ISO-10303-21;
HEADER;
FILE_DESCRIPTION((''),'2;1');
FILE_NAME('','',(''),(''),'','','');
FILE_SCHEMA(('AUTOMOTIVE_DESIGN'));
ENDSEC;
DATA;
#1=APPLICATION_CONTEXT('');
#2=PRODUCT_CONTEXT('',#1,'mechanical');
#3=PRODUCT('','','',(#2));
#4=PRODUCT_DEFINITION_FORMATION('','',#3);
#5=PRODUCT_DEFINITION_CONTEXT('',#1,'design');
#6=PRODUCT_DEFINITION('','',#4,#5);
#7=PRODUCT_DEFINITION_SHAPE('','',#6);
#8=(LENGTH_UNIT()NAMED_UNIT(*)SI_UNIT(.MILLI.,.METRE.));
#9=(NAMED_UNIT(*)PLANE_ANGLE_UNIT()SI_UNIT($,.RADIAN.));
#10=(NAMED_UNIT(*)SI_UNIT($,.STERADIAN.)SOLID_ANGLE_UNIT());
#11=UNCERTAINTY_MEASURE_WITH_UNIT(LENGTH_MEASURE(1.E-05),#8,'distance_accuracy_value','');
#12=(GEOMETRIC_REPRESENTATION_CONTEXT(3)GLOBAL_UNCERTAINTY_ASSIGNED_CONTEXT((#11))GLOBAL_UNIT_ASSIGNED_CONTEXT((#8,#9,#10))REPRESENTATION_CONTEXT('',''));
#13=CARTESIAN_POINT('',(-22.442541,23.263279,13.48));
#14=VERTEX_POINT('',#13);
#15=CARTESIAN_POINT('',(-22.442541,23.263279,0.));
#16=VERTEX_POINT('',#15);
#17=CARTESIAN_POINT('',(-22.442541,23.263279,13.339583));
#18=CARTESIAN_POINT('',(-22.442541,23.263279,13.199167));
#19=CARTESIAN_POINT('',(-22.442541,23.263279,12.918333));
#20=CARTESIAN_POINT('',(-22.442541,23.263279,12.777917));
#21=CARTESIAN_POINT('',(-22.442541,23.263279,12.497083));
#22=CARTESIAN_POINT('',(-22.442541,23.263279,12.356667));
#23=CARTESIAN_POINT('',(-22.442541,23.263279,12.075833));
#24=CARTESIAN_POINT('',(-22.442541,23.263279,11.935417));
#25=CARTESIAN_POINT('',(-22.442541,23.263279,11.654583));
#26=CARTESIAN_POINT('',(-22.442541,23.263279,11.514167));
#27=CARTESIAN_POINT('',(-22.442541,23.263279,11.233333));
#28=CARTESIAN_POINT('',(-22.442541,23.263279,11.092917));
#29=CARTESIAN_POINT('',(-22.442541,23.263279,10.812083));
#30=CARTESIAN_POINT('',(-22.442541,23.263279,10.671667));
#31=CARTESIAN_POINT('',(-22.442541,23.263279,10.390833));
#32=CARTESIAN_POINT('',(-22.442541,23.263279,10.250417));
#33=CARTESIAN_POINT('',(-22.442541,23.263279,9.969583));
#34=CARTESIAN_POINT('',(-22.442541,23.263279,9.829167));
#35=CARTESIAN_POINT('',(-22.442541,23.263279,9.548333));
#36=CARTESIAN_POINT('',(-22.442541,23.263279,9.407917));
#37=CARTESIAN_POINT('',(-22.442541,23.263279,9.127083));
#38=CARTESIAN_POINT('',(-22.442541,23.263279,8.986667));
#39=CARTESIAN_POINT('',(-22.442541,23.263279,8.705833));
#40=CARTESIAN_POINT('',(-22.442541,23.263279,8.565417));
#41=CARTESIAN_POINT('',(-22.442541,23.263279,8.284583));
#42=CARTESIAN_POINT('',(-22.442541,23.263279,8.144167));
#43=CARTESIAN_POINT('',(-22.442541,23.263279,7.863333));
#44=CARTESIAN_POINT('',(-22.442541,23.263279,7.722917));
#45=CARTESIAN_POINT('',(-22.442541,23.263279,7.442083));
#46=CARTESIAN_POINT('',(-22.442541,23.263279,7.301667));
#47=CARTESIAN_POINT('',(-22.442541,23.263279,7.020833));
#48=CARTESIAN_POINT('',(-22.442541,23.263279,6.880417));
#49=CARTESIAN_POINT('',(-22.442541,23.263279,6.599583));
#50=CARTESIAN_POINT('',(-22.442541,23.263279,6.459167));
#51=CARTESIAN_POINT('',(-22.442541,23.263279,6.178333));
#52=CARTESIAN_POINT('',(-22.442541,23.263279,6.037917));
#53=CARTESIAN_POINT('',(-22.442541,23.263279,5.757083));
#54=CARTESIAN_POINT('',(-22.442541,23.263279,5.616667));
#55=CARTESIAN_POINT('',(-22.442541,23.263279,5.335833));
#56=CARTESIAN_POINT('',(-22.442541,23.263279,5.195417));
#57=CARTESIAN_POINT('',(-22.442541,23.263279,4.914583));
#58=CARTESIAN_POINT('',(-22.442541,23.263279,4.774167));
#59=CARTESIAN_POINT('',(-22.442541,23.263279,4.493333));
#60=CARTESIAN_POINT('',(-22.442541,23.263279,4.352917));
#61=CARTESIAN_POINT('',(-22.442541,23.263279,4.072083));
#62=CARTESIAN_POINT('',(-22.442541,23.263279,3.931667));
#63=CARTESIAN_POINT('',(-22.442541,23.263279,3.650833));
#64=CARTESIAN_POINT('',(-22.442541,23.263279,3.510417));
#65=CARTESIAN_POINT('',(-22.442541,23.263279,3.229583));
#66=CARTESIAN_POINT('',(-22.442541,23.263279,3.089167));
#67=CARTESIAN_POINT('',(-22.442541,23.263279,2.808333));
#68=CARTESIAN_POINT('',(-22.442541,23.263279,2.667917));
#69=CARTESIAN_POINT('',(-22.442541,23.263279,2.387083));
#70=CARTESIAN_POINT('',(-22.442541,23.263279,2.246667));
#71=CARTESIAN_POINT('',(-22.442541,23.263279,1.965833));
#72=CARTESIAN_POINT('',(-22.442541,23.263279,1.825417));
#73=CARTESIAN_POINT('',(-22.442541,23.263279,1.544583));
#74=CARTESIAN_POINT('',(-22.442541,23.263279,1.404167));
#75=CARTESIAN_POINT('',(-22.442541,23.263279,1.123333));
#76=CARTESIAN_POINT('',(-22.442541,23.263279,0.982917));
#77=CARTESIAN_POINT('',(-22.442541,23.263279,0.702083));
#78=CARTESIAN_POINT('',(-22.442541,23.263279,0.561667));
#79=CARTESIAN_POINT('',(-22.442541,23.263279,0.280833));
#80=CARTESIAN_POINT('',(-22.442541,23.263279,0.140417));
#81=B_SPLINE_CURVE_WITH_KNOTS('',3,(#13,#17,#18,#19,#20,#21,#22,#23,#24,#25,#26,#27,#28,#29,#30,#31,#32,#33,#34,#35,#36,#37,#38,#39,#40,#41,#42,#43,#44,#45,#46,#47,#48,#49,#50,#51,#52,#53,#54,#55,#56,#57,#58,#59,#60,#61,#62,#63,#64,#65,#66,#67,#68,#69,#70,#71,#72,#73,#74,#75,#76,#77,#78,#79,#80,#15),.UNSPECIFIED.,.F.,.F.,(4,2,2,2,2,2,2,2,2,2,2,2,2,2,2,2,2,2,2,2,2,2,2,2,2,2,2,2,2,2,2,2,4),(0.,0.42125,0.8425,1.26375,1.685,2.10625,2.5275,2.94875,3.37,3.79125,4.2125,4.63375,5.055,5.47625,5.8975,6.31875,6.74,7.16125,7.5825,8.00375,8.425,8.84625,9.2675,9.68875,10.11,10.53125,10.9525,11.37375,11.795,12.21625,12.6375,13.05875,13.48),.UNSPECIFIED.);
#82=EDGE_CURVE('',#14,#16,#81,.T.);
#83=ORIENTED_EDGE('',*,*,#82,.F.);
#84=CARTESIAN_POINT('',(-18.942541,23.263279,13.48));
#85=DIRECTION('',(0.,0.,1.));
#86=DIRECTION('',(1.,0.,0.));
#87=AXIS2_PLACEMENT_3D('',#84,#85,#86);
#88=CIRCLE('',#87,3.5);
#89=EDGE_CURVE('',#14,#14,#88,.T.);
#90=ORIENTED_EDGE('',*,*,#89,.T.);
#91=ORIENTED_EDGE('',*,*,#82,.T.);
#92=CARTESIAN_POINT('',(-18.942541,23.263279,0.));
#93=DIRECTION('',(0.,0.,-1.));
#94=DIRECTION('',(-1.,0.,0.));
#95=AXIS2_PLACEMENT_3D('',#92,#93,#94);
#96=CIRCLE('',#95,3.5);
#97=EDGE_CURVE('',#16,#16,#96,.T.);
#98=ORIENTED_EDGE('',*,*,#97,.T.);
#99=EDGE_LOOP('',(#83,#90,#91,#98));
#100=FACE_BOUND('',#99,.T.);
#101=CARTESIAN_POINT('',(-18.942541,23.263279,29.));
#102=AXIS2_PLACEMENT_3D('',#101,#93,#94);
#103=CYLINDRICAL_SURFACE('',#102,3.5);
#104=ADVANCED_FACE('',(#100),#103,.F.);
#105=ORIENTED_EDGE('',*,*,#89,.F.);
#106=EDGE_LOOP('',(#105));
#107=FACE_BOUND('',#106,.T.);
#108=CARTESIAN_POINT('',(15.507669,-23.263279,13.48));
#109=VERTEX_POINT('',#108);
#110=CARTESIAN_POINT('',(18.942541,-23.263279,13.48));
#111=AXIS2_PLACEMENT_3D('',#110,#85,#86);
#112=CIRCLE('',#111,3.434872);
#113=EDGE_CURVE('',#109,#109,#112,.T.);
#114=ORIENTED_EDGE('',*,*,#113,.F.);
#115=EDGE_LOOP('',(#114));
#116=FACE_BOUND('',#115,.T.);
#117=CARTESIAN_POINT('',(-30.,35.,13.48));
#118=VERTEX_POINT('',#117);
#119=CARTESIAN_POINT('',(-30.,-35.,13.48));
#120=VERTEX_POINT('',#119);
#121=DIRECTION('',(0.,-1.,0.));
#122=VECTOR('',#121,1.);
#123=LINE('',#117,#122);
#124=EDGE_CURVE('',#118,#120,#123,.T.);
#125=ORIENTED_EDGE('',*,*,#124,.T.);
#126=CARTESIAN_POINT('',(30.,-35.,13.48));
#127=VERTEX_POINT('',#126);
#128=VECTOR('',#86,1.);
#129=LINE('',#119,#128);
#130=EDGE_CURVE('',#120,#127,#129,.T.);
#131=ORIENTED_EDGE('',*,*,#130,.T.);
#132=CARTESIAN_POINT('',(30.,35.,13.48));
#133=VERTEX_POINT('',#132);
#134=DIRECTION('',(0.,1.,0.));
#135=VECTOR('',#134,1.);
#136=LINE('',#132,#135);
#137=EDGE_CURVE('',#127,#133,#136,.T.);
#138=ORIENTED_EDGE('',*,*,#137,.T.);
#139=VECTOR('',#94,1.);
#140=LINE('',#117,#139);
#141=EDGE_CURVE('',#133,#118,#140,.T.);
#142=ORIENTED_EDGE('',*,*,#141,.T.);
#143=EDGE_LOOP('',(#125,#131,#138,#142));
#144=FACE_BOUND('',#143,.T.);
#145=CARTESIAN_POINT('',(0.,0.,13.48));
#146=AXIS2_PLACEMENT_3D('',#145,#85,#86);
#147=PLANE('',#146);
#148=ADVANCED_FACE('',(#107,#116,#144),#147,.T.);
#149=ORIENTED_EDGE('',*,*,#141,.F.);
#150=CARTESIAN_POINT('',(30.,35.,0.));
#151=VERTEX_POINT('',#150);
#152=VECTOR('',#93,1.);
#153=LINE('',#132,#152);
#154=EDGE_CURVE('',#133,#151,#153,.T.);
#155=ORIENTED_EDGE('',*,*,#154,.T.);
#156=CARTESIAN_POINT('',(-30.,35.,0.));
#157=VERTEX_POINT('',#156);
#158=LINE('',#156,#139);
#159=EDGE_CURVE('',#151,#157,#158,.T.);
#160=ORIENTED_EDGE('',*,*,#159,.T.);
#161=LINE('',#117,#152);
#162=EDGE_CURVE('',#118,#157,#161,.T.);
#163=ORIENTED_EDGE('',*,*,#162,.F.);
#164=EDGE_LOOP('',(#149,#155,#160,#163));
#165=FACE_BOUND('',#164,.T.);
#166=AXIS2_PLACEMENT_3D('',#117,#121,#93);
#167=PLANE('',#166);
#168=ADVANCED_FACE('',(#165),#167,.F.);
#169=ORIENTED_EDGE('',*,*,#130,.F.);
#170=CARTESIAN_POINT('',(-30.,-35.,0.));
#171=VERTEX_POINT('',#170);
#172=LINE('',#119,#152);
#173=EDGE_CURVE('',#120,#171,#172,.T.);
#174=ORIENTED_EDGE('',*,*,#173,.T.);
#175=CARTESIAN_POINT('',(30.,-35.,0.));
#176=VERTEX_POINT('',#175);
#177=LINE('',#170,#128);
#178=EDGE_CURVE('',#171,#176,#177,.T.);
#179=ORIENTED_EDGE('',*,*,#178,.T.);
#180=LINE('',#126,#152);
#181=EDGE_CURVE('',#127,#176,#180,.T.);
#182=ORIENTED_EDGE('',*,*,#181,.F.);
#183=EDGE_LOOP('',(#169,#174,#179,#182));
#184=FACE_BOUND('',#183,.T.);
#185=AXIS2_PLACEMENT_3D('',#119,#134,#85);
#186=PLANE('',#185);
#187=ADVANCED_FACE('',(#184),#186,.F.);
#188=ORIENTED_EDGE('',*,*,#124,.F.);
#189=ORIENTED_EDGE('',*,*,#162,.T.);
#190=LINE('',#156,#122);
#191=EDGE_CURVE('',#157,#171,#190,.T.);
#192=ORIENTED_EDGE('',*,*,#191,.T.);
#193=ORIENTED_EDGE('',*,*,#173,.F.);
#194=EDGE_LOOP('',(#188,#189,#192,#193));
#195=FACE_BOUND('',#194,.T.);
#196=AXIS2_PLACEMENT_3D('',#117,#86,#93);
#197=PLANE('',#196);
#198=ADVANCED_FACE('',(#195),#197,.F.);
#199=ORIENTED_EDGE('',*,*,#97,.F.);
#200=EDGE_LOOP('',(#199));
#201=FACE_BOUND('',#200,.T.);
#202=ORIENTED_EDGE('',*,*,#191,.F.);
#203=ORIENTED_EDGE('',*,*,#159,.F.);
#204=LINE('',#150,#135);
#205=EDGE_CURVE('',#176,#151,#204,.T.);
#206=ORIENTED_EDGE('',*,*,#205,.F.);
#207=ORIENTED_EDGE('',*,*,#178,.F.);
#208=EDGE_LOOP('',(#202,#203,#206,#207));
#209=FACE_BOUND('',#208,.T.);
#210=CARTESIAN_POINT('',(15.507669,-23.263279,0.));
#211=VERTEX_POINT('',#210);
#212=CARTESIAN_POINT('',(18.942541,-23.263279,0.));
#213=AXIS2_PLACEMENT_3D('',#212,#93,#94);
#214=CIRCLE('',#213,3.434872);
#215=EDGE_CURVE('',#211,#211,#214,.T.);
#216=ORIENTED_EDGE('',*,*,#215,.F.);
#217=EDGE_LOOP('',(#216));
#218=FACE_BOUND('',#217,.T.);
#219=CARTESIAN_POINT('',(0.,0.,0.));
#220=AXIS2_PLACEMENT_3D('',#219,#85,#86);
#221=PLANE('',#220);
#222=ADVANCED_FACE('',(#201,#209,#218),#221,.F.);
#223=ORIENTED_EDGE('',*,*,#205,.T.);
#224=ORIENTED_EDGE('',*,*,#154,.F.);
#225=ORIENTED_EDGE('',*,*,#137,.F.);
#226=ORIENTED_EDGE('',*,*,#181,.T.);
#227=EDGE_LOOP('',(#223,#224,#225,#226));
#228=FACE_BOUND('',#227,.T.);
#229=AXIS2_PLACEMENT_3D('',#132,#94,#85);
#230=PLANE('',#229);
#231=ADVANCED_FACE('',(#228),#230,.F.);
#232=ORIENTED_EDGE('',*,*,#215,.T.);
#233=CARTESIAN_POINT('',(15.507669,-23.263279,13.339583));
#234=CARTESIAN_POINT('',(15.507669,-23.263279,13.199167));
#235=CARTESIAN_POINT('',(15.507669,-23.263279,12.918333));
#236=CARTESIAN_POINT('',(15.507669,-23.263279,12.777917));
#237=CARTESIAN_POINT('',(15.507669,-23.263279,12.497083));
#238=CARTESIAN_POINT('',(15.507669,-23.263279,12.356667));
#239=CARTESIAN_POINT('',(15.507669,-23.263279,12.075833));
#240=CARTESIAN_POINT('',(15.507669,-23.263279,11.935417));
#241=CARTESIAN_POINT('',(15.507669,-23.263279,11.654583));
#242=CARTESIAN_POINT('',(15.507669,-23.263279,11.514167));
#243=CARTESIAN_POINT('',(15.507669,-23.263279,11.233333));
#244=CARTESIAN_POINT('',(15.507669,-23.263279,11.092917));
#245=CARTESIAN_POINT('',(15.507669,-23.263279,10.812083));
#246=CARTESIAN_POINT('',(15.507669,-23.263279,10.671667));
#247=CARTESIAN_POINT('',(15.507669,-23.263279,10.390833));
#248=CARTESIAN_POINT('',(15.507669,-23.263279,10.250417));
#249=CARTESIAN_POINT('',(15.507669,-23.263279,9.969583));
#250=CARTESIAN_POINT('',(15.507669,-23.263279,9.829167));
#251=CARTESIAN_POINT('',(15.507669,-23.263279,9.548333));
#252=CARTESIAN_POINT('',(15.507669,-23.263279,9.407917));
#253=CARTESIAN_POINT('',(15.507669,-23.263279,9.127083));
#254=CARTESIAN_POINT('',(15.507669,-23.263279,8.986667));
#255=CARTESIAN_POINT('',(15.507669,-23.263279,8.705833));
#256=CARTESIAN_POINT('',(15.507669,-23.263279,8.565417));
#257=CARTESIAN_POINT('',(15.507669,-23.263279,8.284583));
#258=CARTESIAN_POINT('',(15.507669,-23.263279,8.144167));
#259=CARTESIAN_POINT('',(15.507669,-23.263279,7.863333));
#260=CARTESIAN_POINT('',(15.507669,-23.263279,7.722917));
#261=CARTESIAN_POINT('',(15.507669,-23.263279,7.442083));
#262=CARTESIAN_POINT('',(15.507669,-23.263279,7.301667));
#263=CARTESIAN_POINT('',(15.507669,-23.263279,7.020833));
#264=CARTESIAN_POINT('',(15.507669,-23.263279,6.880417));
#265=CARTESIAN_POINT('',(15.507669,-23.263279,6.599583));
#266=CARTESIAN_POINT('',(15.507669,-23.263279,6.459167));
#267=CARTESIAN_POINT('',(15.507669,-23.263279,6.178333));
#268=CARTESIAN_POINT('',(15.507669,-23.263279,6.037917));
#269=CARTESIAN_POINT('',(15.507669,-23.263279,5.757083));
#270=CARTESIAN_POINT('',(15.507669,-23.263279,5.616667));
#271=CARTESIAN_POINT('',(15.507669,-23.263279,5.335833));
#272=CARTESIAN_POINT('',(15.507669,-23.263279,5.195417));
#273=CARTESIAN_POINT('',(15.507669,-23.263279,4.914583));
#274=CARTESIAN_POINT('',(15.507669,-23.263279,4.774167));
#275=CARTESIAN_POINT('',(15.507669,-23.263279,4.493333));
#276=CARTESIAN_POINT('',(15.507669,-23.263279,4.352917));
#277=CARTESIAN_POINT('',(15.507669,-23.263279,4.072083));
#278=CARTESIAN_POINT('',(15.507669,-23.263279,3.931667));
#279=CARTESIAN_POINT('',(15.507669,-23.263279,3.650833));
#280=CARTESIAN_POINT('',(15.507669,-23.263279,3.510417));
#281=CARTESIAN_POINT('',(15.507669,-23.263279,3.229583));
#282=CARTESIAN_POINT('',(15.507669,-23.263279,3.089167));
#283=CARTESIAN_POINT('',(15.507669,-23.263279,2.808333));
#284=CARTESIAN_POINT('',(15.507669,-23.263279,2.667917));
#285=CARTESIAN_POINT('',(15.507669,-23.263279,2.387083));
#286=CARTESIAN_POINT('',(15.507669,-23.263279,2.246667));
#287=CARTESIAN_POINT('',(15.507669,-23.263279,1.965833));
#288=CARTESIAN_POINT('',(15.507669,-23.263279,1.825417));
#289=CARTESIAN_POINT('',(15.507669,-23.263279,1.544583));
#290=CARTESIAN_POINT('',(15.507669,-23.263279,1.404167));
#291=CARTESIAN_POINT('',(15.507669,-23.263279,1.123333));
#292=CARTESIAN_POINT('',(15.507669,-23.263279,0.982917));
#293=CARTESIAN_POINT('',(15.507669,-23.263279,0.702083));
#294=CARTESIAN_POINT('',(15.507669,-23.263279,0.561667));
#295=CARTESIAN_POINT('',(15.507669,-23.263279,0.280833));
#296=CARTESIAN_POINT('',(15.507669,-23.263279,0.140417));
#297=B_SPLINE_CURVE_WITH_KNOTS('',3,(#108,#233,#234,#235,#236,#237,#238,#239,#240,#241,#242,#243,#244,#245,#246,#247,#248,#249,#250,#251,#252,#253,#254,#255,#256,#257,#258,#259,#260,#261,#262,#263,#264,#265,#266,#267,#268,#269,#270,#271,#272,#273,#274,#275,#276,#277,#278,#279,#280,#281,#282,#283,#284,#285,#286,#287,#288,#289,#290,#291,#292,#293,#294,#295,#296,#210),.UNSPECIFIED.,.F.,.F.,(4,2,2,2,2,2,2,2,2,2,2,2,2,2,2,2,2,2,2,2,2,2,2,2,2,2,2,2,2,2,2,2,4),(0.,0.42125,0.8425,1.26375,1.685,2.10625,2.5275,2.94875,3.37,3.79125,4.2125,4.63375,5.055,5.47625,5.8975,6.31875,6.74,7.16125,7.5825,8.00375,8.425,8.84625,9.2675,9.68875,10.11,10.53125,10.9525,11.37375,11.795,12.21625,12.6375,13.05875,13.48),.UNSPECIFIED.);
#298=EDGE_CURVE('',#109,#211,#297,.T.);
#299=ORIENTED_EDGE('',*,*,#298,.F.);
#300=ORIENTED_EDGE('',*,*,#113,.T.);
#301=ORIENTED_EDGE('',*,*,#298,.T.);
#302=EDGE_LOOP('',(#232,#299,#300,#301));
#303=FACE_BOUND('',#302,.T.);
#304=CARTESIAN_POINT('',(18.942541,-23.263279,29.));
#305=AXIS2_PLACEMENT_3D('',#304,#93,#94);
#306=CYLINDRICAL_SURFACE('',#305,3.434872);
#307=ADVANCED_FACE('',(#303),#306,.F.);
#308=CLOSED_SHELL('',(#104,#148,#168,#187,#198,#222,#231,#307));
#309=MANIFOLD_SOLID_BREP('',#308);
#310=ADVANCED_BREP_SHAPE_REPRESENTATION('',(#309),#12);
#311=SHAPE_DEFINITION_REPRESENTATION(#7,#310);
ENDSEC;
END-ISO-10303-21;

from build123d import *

# Parameters (mm, degrees)
SKETCH1_W           = 60
SKETCH1_H           = 70
BOSS_EXTRUDE1_DEPTH = 13.48
SKETCH2_R           = 3.43487198
SKETCH2_R_2         = 3.5
CUT_EXTRUDE1_DEPTH  = 29


with BuildPart() as part:
    # Sketch1 → Boss-Extrude1 (new body)
    with BuildSketch(Plane.XY):
        Rectangle(SKETCH1_W, SKETCH1_H)
    extrude(amount=BOSS_EXTRUDE1_DEPTH)

    # Sketch2 → Cut-Extrude1 (cut)
    with BuildSketch(Plane(origin=(0, 0, 0), x_dir=(-1, 0, 0), z_dir=(0, 0, -1))):
        with Locations((-18.942541231, -23.26327861)):
            Circle(SKETCH2_R)
        with Locations((18.942541231, 23.26327861)):
            Circle(SKETCH2_R_2)
    extrude(amount=-CUT_EXTRUDE1_DEPTH, mode=Mode.SUBTRACT)


solid = part.part
